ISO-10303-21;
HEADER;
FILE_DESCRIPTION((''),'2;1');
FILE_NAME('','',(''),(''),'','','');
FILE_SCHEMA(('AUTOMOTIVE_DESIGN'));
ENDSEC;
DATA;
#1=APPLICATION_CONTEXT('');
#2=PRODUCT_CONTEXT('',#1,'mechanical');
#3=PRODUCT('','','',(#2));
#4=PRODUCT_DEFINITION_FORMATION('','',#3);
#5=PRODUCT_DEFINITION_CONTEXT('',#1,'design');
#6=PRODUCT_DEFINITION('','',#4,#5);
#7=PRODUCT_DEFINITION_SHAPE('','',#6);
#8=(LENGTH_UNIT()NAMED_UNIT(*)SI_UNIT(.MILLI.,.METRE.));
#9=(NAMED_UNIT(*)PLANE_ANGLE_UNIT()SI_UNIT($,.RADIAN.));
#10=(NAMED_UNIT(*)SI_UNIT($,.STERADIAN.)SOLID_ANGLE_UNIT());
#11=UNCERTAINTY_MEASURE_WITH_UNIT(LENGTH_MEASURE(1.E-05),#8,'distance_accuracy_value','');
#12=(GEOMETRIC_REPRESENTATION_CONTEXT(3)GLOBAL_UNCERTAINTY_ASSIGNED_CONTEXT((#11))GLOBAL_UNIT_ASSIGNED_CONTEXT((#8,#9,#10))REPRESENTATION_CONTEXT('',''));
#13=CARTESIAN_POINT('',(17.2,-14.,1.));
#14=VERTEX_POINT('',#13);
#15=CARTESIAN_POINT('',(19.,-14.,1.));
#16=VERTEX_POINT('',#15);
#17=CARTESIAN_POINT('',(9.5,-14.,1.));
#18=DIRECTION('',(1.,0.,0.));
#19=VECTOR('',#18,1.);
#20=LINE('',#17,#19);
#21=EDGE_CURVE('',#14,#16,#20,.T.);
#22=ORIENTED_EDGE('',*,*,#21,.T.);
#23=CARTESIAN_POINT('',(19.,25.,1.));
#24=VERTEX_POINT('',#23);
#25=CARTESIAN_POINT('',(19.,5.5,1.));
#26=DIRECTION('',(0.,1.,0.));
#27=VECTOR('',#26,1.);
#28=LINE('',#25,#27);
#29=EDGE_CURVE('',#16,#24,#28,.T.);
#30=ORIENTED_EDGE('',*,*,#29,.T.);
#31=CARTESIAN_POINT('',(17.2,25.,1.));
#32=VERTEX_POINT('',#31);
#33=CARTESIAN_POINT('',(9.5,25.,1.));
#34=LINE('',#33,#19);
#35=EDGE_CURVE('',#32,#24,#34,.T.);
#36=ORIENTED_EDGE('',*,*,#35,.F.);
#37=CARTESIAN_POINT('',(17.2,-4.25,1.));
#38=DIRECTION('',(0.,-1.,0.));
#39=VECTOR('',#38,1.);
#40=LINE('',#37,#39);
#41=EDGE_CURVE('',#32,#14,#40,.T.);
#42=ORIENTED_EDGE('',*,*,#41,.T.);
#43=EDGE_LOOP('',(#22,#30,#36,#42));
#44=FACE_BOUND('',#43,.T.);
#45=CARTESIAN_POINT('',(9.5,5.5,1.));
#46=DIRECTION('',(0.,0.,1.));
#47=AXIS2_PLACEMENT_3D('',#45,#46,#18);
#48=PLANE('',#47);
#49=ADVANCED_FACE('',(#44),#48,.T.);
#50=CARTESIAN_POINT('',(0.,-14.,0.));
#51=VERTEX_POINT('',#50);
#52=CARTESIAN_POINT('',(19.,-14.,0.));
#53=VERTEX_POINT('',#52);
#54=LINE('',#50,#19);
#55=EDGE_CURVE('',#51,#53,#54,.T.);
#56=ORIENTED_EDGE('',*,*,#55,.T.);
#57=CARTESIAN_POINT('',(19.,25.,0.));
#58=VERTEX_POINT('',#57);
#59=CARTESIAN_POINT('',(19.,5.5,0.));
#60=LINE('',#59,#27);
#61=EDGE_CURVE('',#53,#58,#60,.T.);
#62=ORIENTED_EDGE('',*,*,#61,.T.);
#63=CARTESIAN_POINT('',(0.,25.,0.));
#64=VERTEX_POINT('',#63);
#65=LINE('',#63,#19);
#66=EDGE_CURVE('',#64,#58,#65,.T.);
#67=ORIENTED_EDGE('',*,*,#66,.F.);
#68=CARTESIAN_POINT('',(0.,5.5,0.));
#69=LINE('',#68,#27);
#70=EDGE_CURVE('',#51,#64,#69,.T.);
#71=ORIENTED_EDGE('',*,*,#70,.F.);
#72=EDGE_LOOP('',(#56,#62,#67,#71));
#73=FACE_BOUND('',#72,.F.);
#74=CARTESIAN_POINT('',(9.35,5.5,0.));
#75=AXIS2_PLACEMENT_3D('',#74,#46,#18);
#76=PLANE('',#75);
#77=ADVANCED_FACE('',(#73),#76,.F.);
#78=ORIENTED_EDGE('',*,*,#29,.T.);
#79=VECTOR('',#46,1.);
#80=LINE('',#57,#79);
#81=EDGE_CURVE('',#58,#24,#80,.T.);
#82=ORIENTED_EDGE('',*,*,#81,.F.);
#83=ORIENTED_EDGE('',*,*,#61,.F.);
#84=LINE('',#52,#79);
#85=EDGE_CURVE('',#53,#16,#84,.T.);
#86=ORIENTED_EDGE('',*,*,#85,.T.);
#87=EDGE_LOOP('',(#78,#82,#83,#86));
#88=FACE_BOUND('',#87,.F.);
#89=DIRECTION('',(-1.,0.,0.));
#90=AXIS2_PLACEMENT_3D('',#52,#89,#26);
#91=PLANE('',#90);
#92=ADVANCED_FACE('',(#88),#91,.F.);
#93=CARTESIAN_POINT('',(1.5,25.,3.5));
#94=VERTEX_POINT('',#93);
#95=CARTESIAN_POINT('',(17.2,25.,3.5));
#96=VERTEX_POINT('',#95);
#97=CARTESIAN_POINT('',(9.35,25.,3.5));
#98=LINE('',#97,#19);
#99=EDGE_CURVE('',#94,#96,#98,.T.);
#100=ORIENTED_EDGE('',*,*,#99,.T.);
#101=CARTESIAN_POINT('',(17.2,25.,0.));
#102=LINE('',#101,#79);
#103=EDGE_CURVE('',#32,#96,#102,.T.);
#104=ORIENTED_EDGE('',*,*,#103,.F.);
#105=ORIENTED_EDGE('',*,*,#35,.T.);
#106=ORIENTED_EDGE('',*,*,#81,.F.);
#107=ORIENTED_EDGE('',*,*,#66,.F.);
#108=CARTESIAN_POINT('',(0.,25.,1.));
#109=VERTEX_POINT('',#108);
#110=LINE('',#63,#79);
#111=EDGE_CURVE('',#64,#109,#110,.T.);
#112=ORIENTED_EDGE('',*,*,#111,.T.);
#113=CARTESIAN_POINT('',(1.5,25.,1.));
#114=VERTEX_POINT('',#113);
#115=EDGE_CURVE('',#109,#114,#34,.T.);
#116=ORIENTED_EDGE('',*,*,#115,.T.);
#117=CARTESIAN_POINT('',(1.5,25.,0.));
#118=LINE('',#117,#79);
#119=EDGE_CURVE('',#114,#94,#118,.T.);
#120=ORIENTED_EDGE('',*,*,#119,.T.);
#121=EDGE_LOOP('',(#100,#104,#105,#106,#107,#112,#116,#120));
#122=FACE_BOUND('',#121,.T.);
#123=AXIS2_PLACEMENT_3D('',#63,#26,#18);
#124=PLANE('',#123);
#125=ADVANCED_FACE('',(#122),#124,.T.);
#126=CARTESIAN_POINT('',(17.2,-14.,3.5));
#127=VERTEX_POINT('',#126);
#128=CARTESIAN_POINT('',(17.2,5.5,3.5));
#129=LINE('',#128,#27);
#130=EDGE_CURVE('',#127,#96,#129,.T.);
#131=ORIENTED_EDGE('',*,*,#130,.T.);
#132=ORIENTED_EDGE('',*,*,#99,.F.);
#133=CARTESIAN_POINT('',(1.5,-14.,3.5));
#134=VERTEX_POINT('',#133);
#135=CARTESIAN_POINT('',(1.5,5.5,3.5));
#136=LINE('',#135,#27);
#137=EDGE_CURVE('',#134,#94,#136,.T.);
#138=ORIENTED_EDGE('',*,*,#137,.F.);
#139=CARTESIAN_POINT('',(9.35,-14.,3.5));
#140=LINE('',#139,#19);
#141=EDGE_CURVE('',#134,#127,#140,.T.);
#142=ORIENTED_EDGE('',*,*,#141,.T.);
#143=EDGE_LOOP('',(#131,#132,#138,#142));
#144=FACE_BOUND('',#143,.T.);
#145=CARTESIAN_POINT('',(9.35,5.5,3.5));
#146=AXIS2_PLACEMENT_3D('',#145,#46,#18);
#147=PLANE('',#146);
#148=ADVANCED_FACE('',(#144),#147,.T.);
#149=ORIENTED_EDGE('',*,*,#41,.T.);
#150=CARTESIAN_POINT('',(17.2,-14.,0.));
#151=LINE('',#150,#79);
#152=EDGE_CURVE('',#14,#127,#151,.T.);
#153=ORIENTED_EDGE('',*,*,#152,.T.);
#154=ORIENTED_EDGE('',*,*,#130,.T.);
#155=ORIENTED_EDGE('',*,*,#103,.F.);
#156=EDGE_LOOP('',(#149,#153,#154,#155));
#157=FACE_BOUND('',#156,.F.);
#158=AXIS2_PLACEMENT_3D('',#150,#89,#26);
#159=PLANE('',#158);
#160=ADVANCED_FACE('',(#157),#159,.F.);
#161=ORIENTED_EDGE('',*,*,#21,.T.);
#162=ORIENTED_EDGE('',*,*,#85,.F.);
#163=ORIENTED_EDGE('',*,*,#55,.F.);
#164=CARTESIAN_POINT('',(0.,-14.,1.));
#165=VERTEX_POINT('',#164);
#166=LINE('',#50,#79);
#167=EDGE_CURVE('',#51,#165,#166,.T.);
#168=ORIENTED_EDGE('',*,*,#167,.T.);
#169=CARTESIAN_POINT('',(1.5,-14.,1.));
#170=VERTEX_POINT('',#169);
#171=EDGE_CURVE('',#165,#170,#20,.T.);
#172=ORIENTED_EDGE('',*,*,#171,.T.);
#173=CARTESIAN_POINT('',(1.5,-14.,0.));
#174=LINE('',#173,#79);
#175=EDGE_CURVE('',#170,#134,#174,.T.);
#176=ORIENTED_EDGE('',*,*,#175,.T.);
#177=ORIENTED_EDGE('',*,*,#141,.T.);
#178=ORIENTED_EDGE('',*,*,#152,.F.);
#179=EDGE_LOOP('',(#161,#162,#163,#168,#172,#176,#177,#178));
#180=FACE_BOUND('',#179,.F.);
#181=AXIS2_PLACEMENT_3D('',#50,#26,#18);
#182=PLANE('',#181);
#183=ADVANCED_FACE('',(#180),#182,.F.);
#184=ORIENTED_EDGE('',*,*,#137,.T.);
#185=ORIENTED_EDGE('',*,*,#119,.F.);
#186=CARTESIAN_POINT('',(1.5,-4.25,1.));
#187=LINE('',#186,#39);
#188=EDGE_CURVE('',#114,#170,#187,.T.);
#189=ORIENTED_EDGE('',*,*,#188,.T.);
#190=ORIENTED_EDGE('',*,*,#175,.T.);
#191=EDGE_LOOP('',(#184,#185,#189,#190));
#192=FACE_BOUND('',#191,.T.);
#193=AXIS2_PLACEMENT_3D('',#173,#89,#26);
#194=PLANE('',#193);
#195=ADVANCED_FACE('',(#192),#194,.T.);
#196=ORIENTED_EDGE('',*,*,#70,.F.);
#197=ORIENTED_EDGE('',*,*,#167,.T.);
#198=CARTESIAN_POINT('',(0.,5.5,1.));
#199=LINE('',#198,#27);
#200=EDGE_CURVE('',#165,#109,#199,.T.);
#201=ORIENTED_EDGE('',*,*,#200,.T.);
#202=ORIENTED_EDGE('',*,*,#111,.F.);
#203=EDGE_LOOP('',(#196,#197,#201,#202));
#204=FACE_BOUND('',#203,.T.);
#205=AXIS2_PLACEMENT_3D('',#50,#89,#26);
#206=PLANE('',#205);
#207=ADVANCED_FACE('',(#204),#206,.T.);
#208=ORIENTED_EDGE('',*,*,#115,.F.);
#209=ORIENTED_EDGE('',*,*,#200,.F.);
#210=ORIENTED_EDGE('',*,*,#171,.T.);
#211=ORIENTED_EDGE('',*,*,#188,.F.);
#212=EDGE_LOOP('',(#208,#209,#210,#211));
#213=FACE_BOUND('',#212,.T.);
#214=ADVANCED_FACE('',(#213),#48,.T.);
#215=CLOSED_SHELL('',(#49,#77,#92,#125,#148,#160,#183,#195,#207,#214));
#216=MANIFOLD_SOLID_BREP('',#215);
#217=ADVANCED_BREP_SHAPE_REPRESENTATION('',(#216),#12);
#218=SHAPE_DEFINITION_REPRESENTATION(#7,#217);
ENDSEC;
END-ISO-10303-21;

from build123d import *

# Parameters (mm, degrees)
BOX004_W     = 15.7
BOX004_H     = 39
BOX004_DEPTH = 3.5
BOX003_W     = 19
BOX003_H     = 39
BOX003_DEPTH = 1


with BuildPart() as cubo004:
    # Box004 → Box004 (new body)
    with BuildSketch(Plane(origin=(1.5, -14, 0), x_dir=(1, 0, 0), z_dir=(0, 0, 1))):
        with Locations((7.85, 19.5)):
            Rectangle(BOX004_W, BOX004_H)
    extrude(amount=BOX004_DEPTH)


with BuildPart() as fusion001:
    # Box003 → Box003 (new body)
    with BuildSketch(Plane(origin=(0, -14, 0), x_dir=(1, 0, 0), z_dir=(0, 0, 1))):
        with Locations((9.5, 19.5)):
            Rectangle(BOX003_W, BOX003_H)
    extrude(amount=BOX003_DEPTH)

    # Fusion001: union Cubo004
    add(cubo004.part)


solid = fusion001.part
